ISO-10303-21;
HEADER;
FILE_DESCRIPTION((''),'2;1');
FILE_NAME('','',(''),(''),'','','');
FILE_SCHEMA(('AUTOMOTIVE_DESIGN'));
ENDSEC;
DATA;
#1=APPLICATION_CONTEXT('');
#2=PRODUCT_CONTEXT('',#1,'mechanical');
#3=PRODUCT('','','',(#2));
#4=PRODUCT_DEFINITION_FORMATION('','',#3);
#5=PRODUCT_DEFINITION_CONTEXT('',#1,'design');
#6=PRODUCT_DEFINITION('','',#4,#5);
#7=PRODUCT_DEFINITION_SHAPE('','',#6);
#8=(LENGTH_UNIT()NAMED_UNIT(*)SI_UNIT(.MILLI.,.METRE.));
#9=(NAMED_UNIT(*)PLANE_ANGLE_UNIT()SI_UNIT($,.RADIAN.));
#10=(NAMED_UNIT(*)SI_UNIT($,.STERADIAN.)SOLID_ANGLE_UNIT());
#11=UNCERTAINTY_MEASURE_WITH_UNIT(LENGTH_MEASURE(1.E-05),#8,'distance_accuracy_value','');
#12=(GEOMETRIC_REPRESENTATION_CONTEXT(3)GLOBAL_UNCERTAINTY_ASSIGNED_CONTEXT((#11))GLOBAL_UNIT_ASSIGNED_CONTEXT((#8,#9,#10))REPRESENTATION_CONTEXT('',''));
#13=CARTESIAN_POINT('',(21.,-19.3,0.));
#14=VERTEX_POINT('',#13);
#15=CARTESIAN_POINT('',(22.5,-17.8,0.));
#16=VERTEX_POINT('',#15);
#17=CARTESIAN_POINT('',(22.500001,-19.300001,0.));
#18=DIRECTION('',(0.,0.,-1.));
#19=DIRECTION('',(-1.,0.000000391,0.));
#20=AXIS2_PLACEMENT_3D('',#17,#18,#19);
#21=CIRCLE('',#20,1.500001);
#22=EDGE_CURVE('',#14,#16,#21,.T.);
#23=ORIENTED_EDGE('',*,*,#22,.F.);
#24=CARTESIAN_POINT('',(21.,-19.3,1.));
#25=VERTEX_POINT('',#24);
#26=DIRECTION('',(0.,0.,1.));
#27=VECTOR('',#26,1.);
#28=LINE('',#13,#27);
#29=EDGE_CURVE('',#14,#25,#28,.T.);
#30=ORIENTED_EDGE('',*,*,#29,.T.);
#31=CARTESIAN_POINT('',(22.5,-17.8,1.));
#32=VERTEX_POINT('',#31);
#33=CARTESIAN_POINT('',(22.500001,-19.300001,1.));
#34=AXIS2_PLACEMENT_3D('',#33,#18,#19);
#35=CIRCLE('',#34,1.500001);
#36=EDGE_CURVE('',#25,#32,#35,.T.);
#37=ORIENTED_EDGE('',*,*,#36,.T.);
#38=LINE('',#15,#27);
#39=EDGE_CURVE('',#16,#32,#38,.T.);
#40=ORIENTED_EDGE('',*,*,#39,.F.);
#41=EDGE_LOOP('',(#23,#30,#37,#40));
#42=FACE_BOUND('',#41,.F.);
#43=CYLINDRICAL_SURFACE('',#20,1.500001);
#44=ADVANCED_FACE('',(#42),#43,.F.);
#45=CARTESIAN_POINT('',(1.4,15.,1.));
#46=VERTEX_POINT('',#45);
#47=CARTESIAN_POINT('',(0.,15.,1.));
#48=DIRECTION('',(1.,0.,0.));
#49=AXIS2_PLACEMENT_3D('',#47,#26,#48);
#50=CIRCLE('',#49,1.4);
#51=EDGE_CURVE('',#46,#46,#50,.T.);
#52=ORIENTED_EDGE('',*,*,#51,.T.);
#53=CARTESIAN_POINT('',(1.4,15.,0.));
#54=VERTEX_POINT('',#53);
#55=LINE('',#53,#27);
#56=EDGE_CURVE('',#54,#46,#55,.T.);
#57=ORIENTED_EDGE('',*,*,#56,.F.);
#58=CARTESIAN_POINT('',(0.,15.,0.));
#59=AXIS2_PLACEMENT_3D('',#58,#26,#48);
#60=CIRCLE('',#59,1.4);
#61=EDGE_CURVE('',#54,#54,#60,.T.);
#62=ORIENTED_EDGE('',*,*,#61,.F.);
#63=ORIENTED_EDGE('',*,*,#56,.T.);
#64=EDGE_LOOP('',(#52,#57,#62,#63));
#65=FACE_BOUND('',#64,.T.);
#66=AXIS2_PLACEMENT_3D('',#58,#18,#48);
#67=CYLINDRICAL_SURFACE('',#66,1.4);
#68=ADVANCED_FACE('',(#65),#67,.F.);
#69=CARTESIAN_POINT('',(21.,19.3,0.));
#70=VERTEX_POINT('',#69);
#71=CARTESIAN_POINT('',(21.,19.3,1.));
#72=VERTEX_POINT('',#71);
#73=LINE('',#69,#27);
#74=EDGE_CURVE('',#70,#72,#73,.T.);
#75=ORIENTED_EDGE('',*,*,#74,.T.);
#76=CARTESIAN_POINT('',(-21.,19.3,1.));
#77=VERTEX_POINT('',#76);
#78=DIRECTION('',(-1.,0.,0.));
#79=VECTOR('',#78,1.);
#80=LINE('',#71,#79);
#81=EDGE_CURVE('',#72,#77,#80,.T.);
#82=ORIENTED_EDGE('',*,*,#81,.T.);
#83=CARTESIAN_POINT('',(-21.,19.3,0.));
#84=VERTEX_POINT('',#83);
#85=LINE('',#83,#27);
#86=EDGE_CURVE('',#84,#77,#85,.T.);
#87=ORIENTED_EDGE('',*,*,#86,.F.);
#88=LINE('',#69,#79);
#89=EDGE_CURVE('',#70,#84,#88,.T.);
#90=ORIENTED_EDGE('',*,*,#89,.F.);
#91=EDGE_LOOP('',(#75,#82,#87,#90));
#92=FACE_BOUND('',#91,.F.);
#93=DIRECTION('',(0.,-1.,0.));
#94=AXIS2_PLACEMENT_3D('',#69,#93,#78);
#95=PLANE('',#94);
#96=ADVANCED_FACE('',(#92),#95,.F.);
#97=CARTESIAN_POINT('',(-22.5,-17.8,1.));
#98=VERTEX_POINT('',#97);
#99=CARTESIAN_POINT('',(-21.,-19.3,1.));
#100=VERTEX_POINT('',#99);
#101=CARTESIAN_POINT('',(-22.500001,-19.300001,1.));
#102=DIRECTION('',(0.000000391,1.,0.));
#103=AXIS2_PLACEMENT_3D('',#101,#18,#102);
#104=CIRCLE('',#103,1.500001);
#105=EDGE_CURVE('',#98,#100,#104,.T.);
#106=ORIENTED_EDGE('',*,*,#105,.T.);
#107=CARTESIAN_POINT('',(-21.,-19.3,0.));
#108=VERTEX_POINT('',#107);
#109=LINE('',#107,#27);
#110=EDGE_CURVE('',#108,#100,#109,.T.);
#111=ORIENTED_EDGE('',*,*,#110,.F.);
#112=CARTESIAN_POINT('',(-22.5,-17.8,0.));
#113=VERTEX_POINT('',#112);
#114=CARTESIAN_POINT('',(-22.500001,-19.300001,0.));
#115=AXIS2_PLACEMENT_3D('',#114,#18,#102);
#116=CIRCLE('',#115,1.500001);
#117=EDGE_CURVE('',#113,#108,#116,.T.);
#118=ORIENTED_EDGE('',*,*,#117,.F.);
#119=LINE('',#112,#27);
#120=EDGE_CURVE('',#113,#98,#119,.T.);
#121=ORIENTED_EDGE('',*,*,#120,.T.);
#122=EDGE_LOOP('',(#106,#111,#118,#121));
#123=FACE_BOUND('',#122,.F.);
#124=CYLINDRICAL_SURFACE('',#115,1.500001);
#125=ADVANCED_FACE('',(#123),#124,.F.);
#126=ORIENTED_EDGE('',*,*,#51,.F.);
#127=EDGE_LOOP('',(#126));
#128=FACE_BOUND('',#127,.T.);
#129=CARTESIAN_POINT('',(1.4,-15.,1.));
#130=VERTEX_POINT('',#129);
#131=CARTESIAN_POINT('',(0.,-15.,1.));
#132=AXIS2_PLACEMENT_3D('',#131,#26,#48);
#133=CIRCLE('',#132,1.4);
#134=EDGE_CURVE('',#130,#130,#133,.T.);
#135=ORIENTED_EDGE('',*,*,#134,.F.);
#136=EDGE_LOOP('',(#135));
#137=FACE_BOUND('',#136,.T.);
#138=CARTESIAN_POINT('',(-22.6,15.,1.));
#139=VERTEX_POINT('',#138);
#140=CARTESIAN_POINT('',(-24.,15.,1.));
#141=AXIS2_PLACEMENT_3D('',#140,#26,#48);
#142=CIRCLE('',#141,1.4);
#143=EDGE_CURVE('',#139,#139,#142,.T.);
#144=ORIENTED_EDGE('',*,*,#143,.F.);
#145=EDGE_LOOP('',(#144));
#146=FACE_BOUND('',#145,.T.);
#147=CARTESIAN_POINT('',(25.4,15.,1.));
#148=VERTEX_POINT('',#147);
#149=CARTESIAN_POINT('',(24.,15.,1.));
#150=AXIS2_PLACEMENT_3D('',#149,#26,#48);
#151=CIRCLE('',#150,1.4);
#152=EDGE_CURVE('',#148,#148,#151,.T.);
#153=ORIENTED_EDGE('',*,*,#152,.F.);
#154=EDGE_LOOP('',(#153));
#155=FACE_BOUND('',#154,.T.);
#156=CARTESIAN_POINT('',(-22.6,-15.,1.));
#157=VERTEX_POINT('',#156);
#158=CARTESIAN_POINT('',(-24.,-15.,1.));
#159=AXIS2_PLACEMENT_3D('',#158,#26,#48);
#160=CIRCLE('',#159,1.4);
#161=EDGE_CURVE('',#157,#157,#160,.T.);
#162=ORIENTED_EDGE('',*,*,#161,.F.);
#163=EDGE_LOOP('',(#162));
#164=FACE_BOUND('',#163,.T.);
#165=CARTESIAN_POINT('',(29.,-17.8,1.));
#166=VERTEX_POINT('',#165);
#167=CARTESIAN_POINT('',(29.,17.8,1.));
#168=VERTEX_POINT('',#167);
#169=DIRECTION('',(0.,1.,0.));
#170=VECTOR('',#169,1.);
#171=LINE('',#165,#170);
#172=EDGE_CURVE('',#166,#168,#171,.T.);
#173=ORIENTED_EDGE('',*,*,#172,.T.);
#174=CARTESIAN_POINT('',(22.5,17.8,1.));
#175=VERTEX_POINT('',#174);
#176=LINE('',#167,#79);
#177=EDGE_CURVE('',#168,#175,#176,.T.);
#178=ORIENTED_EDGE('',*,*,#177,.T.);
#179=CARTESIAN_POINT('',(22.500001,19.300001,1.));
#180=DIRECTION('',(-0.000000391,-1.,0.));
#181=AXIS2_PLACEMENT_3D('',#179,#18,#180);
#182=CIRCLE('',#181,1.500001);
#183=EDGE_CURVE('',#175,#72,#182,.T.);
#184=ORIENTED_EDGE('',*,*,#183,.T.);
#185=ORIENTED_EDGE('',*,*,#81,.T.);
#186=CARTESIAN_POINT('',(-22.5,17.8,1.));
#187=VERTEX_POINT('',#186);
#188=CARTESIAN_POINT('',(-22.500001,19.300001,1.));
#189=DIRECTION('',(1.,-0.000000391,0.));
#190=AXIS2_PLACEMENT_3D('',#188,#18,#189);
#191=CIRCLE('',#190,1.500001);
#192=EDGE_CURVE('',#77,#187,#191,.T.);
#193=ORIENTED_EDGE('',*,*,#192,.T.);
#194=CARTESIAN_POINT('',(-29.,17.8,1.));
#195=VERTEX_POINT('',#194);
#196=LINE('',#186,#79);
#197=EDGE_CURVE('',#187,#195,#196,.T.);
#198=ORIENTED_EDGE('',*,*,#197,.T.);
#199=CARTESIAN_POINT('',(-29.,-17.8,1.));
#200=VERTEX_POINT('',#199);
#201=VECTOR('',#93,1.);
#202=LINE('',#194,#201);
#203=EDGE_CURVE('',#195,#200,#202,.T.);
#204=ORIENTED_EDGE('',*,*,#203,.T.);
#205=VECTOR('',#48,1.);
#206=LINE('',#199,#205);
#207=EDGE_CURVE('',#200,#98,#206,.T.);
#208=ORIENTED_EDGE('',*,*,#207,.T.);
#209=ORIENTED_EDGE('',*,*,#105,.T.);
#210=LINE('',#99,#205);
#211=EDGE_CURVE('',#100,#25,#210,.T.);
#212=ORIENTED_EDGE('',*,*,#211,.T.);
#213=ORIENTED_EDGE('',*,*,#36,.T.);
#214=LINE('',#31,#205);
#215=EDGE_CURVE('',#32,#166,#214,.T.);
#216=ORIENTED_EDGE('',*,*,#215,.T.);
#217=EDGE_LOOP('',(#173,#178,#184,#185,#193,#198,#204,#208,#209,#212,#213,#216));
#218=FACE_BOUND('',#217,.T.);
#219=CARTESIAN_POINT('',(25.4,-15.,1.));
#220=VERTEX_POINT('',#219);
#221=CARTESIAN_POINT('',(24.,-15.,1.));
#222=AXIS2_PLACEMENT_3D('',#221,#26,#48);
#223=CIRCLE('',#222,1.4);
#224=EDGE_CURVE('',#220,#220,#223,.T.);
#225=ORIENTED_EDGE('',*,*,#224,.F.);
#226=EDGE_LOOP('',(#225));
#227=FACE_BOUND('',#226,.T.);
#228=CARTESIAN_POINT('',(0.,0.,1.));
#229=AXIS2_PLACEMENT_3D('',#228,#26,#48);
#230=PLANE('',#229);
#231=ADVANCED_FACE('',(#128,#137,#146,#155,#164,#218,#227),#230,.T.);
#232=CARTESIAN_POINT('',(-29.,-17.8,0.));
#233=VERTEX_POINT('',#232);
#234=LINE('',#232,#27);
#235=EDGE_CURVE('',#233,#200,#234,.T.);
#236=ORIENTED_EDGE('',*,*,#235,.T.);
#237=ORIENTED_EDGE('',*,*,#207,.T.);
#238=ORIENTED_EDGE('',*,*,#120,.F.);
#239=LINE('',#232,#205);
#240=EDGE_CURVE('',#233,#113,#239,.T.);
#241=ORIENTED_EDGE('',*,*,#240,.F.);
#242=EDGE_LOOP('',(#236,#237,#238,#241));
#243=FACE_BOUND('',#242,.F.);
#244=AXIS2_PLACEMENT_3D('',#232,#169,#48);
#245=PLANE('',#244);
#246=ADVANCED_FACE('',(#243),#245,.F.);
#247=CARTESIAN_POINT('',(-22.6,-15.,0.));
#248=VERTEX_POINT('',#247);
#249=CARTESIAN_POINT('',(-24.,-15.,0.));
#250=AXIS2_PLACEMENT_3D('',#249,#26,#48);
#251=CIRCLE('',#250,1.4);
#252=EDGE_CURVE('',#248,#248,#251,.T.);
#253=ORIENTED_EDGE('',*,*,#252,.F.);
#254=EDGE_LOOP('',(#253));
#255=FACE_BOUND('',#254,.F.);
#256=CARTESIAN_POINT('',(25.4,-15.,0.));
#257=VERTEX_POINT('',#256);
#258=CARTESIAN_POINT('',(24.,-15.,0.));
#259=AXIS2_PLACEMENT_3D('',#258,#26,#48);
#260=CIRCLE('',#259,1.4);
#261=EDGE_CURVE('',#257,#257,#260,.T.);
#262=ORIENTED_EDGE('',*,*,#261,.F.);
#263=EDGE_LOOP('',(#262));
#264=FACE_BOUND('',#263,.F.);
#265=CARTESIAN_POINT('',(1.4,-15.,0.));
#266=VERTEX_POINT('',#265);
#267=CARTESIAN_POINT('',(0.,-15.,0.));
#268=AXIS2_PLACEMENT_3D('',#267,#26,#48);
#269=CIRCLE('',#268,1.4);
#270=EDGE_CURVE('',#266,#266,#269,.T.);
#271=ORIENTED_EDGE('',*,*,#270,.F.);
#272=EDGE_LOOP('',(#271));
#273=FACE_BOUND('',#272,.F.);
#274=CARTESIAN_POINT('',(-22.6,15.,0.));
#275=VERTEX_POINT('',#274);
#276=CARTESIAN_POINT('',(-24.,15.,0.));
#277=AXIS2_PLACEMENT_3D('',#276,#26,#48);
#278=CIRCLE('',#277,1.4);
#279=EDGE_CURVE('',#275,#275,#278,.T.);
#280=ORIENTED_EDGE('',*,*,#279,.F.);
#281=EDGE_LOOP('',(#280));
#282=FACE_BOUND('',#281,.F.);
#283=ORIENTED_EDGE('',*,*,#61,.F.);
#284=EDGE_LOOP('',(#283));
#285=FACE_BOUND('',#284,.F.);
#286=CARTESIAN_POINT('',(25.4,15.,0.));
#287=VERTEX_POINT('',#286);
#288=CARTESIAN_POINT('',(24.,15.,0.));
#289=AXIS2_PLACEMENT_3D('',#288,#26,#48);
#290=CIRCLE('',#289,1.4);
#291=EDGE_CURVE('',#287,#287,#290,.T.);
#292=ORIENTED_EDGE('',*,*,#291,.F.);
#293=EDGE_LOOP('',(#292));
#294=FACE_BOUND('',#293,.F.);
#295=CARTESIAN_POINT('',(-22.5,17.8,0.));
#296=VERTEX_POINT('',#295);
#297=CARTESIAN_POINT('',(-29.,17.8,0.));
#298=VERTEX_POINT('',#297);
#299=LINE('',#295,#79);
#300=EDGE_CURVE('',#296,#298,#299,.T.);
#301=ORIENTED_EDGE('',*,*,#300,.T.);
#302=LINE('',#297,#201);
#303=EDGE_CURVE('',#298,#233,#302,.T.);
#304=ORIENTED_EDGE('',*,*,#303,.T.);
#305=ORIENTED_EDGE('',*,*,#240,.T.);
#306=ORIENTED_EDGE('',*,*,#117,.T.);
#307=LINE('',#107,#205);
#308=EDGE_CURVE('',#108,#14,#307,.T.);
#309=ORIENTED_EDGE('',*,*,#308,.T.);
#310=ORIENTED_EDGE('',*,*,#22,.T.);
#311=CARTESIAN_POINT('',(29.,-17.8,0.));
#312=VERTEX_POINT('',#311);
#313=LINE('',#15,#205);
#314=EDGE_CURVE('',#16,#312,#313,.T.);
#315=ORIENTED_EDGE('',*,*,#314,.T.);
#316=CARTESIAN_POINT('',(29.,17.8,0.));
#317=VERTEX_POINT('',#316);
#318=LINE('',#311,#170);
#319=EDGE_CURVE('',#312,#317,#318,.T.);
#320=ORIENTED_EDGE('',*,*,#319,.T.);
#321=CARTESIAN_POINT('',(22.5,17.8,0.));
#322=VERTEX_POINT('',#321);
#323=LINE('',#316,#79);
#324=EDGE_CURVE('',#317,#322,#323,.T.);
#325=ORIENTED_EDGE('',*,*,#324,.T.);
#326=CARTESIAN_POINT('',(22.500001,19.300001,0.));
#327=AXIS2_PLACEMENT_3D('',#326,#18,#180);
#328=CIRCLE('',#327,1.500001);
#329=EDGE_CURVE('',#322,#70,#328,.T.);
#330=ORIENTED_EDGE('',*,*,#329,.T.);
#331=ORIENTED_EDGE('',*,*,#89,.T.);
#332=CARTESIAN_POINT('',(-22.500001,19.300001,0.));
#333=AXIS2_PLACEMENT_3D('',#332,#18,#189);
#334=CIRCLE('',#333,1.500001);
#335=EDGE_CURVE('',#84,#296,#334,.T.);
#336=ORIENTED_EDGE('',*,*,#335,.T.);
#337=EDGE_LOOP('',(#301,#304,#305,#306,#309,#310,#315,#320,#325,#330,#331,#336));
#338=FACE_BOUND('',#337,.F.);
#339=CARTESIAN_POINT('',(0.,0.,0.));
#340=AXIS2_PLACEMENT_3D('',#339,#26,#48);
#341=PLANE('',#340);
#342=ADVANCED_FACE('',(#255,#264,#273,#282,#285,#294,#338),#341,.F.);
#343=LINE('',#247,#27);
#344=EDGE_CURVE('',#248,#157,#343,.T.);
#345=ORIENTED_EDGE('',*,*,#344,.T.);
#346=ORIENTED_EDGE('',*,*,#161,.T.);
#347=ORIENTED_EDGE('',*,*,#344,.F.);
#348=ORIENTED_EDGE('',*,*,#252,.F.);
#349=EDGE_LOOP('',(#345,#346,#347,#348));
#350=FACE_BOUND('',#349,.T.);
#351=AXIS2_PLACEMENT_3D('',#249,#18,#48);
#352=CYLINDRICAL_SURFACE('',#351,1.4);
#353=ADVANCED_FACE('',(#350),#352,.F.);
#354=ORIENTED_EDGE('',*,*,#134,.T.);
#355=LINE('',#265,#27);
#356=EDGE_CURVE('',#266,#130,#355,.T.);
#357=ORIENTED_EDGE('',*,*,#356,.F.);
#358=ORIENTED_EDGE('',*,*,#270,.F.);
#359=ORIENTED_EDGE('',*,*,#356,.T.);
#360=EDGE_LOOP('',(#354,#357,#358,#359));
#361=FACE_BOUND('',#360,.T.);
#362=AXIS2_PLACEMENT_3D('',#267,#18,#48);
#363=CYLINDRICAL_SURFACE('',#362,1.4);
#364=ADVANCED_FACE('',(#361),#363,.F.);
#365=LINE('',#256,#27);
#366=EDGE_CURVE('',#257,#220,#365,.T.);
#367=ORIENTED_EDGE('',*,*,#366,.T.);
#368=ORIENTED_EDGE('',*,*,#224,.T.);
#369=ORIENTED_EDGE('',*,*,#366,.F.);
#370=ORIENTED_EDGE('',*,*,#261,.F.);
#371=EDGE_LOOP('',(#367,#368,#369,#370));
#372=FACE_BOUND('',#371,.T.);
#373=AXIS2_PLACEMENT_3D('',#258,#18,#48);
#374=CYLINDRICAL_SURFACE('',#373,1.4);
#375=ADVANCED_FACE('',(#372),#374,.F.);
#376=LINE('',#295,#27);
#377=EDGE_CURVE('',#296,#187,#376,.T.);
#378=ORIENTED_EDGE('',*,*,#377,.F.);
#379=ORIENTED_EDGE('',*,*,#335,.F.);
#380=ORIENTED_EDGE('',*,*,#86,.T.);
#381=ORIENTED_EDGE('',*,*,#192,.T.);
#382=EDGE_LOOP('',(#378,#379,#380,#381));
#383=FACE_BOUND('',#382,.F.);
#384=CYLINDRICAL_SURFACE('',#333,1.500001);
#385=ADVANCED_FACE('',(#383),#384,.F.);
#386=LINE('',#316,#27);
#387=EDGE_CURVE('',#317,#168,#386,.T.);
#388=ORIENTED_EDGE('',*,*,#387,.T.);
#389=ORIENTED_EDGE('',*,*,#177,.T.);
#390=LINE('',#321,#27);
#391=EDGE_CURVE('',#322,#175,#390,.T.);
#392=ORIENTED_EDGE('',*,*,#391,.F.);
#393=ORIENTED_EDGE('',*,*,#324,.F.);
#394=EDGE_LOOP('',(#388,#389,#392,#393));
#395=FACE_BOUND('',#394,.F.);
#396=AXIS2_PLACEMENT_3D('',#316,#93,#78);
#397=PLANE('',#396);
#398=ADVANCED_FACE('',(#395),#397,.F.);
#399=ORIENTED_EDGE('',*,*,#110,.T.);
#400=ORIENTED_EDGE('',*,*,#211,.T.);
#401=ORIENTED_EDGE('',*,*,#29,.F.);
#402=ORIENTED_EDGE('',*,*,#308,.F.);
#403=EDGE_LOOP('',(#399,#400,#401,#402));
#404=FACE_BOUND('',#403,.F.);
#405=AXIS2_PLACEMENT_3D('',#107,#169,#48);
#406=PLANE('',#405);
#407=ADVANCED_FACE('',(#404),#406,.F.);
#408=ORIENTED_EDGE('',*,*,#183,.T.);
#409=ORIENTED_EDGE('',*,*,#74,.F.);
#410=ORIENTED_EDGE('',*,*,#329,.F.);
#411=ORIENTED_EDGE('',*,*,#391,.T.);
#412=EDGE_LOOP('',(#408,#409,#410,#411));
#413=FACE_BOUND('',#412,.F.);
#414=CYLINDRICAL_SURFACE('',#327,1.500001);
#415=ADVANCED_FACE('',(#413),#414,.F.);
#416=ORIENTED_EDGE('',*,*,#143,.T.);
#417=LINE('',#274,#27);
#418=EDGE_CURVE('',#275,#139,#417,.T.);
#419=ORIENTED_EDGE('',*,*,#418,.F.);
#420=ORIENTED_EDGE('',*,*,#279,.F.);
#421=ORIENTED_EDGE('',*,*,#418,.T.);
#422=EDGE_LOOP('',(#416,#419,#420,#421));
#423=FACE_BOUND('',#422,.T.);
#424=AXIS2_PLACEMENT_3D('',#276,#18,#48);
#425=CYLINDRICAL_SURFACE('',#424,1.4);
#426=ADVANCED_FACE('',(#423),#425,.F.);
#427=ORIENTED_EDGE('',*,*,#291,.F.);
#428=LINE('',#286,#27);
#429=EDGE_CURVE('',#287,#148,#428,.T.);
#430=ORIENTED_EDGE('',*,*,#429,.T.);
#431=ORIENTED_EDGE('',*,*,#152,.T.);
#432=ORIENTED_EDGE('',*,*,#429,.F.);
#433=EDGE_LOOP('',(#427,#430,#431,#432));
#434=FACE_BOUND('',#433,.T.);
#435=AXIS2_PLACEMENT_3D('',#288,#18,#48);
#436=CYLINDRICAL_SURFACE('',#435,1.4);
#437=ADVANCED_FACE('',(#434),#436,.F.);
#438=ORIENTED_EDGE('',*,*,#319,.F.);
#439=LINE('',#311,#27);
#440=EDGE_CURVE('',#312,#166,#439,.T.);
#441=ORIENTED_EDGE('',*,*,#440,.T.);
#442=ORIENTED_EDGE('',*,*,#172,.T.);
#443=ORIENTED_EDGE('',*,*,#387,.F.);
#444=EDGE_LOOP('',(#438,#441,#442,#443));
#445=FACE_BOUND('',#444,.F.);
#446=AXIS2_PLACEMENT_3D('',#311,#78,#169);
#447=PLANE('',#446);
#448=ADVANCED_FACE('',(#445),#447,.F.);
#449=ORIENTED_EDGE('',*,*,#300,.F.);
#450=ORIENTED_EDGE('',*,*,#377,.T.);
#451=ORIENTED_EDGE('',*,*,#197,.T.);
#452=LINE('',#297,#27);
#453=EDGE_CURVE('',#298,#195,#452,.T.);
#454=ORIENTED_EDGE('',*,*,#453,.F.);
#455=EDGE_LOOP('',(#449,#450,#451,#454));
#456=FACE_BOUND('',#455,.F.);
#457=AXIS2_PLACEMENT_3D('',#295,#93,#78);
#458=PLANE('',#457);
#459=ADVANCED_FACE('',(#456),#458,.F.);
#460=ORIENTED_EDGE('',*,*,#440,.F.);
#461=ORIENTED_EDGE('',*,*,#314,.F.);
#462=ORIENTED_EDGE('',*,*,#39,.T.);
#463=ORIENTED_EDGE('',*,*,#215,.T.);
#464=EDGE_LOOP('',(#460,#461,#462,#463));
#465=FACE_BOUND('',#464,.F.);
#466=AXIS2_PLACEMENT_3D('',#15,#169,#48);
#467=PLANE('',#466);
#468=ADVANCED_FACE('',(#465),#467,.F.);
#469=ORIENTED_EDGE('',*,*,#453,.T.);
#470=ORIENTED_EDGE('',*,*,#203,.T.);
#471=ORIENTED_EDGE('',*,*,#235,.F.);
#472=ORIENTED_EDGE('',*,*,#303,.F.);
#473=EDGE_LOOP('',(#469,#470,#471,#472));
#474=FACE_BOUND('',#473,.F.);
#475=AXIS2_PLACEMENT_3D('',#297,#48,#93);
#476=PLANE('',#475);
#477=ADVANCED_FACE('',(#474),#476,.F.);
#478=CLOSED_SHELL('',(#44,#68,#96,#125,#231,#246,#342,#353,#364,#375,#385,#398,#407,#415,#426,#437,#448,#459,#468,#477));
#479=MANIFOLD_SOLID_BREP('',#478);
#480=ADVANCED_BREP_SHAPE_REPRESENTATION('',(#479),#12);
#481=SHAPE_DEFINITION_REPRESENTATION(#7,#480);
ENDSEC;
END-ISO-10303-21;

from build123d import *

# Parameters (mm, degrees)
F0_R     = 1.4
F1_DEPTH = 1


with BuildPart() as f1:
    # F0 (on Top) → F1 (new body)
    with BuildSketch(Plane.XY):
        with BuildLine():
            Line((29, 17.8), (22.5, 17.8))
            ThreePointArc((22.5, 17.8), (21.43934, 18.23934), (21, 19.3))
            Line((21, 19.3), (0, 19.3))
            Line((0, 19.3), (-21, 19.3))
            ThreePointArc((-21, 19.3), (-21.43934, 18.23934), (-22.5, 17.8))
            Line((-22.5, 17.8), (-29, 17.8))
            Line((-29, 17.8), (-29, 0))
            Line((-29, 0), (-29, -17.8))
            Line((-29, -17.8), (-22.5, -17.8))
            ThreePointArc((-22.5, -17.8), (-21.43934, -18.23934), (-21, -19.3))
            Line((-21, -19.3), (0, -19.3))
            Line((0, -19.3), (21, -19.3))
            ThreePointArc((21, -19.3), (21.43934, -18.23934), (22.5, -17.8))
            Line((22.5, -17.8), (29, -17.8))
            Line((29, -17.8), (29, 0))
            Line((29, 0), (29, 17.8))
        make_face()
        with Locations((-24, -15)):
            Circle(F0_R, mode=Mode.SUBTRACT)
        with Locations((0, -15)):
            Circle(F0_R, mode=Mode.SUBTRACT)
        with Locations((24, -15)):
            Circle(F0_R, mode=Mode.SUBTRACT)
        with Locations((-24, 15)):
            Circle(F0_R, mode=Mode.SUBTRACT)
        with Locations((0, 15)):
            Circle(F0_R, mode=Mode.SUBTRACT)
        with Locations((24, 15)):
            Circle(F0_R, mode=Mode.SUBTRACT)
    extrude(amount=F1_DEPTH)


solid = f1.part
